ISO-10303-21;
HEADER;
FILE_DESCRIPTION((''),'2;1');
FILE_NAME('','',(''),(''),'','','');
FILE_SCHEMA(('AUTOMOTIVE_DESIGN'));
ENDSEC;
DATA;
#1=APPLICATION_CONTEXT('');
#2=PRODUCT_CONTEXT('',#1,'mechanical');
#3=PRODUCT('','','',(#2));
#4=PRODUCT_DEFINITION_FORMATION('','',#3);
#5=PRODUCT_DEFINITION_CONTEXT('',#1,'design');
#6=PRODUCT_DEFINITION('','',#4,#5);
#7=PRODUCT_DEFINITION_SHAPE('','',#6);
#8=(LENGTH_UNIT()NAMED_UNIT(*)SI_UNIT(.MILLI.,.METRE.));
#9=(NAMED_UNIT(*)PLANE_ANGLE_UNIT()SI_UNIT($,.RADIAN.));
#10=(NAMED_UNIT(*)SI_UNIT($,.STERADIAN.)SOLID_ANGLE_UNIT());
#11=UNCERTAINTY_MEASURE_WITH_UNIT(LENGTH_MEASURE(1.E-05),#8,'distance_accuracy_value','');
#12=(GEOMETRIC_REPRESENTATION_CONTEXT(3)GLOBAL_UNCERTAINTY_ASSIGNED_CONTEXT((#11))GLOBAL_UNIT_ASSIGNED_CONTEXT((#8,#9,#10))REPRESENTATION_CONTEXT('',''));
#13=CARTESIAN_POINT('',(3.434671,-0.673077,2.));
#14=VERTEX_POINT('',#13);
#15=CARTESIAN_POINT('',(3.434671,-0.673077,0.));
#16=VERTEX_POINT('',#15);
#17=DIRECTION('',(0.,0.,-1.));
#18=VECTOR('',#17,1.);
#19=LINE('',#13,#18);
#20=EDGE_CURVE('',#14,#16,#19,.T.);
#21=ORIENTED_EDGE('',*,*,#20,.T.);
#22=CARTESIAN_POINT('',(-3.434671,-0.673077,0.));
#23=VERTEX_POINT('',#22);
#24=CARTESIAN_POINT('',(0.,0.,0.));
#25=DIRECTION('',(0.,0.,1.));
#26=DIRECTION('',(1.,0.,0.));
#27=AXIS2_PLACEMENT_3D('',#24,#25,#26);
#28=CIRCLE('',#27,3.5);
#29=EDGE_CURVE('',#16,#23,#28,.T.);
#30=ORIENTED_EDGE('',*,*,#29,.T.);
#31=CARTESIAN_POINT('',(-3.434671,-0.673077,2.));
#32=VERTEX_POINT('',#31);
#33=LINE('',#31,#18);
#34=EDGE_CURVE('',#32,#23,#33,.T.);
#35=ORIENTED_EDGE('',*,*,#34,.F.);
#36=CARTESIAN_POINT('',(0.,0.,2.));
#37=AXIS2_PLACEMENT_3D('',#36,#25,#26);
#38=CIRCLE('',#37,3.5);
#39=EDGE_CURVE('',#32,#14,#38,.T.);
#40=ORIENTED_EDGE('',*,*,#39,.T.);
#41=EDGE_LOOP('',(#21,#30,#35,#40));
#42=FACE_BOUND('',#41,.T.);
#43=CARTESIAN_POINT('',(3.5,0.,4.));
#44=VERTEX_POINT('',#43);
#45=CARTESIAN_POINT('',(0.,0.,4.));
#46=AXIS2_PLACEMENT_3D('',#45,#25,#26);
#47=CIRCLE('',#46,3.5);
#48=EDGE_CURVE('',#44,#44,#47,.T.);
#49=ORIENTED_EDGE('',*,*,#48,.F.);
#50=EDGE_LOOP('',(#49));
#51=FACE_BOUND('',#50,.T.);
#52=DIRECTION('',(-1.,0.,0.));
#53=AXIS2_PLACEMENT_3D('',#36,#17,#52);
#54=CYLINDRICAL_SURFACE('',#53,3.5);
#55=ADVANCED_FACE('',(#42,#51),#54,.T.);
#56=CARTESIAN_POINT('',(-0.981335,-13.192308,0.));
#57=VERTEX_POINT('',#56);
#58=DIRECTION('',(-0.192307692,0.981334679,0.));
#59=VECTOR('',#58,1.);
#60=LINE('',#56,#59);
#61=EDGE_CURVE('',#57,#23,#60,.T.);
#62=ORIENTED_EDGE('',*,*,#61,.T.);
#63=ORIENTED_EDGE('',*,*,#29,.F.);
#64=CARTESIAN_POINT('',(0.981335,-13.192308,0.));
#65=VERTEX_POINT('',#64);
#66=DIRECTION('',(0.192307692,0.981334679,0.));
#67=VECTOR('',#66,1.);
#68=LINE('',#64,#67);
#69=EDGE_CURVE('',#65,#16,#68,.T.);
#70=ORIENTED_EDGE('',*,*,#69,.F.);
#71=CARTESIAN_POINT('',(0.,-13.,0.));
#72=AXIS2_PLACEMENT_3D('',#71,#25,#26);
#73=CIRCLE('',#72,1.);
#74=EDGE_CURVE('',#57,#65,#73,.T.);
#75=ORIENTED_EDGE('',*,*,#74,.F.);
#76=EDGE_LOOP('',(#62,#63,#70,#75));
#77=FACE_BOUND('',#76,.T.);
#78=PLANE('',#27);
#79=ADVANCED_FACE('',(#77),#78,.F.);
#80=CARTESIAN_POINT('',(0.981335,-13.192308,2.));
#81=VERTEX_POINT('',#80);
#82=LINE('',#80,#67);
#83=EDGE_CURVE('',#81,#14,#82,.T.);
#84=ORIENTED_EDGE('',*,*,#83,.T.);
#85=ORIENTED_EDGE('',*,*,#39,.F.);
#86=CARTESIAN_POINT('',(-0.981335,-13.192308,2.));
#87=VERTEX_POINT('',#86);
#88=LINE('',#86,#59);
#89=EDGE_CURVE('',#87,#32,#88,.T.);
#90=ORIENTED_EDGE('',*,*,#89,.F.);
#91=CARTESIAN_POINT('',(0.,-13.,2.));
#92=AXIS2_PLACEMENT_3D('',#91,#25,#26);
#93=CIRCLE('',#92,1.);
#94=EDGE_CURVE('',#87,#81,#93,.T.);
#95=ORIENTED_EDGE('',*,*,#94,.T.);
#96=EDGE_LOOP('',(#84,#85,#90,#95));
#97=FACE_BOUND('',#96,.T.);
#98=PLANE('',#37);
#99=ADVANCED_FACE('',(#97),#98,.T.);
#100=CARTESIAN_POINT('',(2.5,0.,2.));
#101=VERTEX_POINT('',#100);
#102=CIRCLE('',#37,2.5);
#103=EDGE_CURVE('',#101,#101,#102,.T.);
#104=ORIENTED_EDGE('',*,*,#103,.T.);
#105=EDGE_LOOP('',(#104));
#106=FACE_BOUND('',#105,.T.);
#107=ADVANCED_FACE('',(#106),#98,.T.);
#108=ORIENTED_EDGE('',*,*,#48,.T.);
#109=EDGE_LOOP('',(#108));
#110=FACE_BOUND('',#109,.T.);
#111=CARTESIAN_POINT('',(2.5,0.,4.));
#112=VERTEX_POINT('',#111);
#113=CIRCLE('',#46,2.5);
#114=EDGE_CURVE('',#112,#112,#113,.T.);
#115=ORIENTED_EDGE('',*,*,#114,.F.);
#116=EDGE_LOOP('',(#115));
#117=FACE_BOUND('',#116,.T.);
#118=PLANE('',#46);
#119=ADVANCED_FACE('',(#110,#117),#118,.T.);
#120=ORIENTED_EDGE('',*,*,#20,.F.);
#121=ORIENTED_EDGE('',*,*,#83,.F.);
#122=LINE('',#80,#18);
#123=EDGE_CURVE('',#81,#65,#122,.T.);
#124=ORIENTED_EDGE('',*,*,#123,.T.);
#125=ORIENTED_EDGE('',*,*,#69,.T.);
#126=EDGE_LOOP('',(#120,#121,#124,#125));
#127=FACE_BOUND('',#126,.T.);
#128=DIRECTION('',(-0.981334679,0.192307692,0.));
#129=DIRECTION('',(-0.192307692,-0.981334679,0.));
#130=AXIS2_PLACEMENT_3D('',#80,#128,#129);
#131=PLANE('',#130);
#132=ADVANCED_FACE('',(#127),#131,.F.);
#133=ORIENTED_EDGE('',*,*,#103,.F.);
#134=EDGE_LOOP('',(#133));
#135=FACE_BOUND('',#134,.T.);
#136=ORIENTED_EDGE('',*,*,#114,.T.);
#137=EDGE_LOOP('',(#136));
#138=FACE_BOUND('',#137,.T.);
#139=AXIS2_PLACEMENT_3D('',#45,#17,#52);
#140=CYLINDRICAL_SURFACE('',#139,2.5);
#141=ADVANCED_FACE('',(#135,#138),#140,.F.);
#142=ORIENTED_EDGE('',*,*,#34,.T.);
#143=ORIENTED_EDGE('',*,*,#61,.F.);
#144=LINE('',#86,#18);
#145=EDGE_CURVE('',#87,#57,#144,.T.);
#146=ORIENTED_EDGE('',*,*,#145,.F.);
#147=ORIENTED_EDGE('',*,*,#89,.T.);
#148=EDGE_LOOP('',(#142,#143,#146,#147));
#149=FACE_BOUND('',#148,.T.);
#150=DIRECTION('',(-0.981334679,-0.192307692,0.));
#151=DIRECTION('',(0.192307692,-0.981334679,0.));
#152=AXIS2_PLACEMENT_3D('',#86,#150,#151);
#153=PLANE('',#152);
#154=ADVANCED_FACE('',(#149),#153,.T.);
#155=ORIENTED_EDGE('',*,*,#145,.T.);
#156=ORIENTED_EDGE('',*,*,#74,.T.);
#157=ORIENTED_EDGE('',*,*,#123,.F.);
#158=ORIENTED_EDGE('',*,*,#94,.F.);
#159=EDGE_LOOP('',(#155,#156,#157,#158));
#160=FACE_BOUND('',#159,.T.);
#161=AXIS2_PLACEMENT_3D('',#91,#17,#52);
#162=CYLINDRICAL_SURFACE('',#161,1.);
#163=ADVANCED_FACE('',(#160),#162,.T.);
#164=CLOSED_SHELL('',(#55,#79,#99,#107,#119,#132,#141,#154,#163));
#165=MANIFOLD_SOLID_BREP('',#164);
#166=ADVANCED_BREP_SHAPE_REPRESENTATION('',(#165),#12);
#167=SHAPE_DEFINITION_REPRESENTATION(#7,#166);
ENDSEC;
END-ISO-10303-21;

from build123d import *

# Parameters (mm, degrees)
BOSS_EXTRUDE1_DEPTH = 2
SKETCH2_R           = 3.5
SKETCH2_R_2         = 2.5
BOSS_EXTRUDE2_DEPTH = 2


with BuildPart() as part:
    # Sketch1 → Boss-Extrude1 (new body)
    with BuildSketch(Plane.XY):
        with BuildLine():
            Line((-0.981334679, -13.192307692), (-3.434671375, -0.673076923))
            ThreePointArc((-3.434671375, -0.673076923), (0, 3.5), (3.434671375, -0.673076923))
            Line((3.434671375, -0.673076923), (0.981334679, -13.192307692))
            ThreePointArc((0.981334679, -13.192307692), (0, -14), (-0.981334679, -13.192307692))
        make_face()
    extrude(amount=BOSS_EXTRUDE1_DEPTH)

    # Sketch2 → Boss-Extrude2 (add)
    with BuildSketch(Plane.XY.offset(2)):
        Circle(SKETCH2_R)
        Circle(SKETCH2_R_2, mode=Mode.SUBTRACT)
    extrude(amount=BOSS_EXTRUDE2_DEPTH)


solid = part.part
